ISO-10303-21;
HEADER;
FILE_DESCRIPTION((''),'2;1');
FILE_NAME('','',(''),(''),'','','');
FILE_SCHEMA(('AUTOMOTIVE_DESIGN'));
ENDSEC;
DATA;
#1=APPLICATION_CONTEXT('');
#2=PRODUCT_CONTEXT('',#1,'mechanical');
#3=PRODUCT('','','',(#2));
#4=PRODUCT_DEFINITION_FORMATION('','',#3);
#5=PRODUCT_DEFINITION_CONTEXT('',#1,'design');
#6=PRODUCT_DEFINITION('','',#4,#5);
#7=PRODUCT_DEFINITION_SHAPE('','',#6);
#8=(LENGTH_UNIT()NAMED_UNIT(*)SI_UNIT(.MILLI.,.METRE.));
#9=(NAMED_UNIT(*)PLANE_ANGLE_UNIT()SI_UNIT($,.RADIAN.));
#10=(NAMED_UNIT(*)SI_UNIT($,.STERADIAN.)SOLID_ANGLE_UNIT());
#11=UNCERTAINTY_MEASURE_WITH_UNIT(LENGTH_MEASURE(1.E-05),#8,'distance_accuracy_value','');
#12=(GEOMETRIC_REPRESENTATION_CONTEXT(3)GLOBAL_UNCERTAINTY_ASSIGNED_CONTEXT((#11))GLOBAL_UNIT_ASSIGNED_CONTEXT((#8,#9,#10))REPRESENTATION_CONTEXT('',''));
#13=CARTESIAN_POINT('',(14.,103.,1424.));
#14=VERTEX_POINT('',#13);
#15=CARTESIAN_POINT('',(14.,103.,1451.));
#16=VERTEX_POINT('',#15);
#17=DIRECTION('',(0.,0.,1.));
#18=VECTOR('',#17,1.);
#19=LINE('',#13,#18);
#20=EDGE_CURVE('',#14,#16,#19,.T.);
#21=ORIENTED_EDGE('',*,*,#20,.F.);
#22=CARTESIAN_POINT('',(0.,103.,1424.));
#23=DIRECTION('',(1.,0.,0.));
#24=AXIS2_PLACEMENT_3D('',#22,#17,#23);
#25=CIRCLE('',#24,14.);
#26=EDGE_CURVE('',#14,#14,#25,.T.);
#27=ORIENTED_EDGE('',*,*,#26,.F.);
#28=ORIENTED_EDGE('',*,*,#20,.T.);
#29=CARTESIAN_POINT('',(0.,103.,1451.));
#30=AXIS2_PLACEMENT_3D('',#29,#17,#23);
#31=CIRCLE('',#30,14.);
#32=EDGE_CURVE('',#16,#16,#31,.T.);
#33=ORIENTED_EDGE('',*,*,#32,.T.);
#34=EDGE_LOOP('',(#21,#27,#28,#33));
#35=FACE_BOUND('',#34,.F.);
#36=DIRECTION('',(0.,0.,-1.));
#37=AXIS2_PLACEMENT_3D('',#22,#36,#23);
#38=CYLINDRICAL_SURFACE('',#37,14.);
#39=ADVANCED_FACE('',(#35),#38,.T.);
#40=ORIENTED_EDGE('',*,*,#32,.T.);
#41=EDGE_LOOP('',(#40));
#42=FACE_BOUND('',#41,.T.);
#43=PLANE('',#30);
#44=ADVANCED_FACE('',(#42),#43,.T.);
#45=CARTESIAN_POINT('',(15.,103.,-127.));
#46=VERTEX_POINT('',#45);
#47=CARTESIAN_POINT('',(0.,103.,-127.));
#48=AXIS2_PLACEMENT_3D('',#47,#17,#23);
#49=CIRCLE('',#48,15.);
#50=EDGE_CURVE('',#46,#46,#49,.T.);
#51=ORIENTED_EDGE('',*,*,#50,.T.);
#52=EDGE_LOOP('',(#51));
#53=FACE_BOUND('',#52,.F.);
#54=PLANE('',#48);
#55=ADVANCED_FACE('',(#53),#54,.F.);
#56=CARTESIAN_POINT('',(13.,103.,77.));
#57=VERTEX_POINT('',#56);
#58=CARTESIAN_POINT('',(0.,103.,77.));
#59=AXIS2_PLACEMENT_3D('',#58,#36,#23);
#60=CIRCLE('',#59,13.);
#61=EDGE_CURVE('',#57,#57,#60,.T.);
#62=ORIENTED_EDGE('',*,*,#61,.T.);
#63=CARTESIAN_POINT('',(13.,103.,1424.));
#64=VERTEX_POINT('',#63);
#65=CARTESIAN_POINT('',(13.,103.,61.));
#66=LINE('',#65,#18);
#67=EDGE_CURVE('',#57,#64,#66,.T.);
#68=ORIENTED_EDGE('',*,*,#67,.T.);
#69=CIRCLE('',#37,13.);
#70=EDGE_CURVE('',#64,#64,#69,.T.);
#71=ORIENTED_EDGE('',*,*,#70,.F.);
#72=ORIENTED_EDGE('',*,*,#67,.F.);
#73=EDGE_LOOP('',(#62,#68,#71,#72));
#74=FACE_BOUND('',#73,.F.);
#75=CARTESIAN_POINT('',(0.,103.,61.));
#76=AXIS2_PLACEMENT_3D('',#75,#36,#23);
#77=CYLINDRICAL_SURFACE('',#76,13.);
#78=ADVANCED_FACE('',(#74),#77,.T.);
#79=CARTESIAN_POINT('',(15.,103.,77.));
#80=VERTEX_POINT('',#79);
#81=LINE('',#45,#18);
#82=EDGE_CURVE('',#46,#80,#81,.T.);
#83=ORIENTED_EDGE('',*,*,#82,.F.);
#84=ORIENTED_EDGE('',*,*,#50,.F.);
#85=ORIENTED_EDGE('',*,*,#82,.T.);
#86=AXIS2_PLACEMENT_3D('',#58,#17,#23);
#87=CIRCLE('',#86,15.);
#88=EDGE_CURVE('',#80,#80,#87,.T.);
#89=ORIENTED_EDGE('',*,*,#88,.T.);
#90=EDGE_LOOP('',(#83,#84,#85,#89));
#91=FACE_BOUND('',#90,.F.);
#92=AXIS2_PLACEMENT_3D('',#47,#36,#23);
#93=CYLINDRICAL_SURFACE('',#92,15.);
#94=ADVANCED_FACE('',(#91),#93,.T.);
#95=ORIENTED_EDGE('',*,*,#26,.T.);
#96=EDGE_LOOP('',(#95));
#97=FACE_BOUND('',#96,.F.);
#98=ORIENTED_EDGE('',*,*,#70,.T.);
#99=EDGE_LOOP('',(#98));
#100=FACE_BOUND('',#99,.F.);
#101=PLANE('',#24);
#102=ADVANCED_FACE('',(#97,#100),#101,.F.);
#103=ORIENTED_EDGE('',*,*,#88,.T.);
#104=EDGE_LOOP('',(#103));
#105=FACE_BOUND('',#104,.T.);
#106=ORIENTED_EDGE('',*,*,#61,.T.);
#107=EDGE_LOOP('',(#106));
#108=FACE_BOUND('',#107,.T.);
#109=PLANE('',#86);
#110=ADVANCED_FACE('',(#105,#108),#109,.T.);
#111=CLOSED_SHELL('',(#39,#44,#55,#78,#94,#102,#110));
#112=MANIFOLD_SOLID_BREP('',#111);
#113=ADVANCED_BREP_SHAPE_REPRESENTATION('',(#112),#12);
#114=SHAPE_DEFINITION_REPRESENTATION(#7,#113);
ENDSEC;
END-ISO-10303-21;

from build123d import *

# Parameters (mm, degrees)
CYLINDER031_R     = 15
CYLINDER031_DEPTH = 204
CYLINDER032_R     = 14
CYLINDER032_DEPTH = 27
CYLINDER030_R     = 13
CYLINDER030_DEPTH = 1390


with BuildPart() as loraantenna001:
    # Cylinder031 → Cylinder031 (new body)
    with BuildSketch(Plane.XY):
        Circle(CYLINDER031_R)
    extrude(amount=CYLINDER031_DEPTH)


with BuildPart() as loraantenna002:
    # Cylinder032 → Cylinder032 (new body)
    with BuildSketch(Plane.XY.offset(1363)):
        Circle(CYLINDER032_R)
    extrude(amount=CYLINDER032_DEPTH)


with BuildPart() as loraantenna004:
    # Cylinder030 → Cylinder030 (new body)
    with BuildSketch(Plane.XY):
        Circle(CYLINDER030_R)
    extrude(amount=CYLINDER030_DEPTH)

    # Fusion006: union loraAntenna002
    add(loraantenna002.part)


with BuildPart() as loraantenna004_1:
    # Fusion006 placement: moved
    add(loraantenna004.part.moved(Location((0, 0, 188))))

    # Fusion007: union loraAntenna001
    add(loraantenna001.part)


with BuildPart() as loraantenna004_2:
    # Fusion007 placement: moved
    add(loraantenna004_1.part.moved(Location((0, 103, -127))))


solid = loraantenna004_2.part
